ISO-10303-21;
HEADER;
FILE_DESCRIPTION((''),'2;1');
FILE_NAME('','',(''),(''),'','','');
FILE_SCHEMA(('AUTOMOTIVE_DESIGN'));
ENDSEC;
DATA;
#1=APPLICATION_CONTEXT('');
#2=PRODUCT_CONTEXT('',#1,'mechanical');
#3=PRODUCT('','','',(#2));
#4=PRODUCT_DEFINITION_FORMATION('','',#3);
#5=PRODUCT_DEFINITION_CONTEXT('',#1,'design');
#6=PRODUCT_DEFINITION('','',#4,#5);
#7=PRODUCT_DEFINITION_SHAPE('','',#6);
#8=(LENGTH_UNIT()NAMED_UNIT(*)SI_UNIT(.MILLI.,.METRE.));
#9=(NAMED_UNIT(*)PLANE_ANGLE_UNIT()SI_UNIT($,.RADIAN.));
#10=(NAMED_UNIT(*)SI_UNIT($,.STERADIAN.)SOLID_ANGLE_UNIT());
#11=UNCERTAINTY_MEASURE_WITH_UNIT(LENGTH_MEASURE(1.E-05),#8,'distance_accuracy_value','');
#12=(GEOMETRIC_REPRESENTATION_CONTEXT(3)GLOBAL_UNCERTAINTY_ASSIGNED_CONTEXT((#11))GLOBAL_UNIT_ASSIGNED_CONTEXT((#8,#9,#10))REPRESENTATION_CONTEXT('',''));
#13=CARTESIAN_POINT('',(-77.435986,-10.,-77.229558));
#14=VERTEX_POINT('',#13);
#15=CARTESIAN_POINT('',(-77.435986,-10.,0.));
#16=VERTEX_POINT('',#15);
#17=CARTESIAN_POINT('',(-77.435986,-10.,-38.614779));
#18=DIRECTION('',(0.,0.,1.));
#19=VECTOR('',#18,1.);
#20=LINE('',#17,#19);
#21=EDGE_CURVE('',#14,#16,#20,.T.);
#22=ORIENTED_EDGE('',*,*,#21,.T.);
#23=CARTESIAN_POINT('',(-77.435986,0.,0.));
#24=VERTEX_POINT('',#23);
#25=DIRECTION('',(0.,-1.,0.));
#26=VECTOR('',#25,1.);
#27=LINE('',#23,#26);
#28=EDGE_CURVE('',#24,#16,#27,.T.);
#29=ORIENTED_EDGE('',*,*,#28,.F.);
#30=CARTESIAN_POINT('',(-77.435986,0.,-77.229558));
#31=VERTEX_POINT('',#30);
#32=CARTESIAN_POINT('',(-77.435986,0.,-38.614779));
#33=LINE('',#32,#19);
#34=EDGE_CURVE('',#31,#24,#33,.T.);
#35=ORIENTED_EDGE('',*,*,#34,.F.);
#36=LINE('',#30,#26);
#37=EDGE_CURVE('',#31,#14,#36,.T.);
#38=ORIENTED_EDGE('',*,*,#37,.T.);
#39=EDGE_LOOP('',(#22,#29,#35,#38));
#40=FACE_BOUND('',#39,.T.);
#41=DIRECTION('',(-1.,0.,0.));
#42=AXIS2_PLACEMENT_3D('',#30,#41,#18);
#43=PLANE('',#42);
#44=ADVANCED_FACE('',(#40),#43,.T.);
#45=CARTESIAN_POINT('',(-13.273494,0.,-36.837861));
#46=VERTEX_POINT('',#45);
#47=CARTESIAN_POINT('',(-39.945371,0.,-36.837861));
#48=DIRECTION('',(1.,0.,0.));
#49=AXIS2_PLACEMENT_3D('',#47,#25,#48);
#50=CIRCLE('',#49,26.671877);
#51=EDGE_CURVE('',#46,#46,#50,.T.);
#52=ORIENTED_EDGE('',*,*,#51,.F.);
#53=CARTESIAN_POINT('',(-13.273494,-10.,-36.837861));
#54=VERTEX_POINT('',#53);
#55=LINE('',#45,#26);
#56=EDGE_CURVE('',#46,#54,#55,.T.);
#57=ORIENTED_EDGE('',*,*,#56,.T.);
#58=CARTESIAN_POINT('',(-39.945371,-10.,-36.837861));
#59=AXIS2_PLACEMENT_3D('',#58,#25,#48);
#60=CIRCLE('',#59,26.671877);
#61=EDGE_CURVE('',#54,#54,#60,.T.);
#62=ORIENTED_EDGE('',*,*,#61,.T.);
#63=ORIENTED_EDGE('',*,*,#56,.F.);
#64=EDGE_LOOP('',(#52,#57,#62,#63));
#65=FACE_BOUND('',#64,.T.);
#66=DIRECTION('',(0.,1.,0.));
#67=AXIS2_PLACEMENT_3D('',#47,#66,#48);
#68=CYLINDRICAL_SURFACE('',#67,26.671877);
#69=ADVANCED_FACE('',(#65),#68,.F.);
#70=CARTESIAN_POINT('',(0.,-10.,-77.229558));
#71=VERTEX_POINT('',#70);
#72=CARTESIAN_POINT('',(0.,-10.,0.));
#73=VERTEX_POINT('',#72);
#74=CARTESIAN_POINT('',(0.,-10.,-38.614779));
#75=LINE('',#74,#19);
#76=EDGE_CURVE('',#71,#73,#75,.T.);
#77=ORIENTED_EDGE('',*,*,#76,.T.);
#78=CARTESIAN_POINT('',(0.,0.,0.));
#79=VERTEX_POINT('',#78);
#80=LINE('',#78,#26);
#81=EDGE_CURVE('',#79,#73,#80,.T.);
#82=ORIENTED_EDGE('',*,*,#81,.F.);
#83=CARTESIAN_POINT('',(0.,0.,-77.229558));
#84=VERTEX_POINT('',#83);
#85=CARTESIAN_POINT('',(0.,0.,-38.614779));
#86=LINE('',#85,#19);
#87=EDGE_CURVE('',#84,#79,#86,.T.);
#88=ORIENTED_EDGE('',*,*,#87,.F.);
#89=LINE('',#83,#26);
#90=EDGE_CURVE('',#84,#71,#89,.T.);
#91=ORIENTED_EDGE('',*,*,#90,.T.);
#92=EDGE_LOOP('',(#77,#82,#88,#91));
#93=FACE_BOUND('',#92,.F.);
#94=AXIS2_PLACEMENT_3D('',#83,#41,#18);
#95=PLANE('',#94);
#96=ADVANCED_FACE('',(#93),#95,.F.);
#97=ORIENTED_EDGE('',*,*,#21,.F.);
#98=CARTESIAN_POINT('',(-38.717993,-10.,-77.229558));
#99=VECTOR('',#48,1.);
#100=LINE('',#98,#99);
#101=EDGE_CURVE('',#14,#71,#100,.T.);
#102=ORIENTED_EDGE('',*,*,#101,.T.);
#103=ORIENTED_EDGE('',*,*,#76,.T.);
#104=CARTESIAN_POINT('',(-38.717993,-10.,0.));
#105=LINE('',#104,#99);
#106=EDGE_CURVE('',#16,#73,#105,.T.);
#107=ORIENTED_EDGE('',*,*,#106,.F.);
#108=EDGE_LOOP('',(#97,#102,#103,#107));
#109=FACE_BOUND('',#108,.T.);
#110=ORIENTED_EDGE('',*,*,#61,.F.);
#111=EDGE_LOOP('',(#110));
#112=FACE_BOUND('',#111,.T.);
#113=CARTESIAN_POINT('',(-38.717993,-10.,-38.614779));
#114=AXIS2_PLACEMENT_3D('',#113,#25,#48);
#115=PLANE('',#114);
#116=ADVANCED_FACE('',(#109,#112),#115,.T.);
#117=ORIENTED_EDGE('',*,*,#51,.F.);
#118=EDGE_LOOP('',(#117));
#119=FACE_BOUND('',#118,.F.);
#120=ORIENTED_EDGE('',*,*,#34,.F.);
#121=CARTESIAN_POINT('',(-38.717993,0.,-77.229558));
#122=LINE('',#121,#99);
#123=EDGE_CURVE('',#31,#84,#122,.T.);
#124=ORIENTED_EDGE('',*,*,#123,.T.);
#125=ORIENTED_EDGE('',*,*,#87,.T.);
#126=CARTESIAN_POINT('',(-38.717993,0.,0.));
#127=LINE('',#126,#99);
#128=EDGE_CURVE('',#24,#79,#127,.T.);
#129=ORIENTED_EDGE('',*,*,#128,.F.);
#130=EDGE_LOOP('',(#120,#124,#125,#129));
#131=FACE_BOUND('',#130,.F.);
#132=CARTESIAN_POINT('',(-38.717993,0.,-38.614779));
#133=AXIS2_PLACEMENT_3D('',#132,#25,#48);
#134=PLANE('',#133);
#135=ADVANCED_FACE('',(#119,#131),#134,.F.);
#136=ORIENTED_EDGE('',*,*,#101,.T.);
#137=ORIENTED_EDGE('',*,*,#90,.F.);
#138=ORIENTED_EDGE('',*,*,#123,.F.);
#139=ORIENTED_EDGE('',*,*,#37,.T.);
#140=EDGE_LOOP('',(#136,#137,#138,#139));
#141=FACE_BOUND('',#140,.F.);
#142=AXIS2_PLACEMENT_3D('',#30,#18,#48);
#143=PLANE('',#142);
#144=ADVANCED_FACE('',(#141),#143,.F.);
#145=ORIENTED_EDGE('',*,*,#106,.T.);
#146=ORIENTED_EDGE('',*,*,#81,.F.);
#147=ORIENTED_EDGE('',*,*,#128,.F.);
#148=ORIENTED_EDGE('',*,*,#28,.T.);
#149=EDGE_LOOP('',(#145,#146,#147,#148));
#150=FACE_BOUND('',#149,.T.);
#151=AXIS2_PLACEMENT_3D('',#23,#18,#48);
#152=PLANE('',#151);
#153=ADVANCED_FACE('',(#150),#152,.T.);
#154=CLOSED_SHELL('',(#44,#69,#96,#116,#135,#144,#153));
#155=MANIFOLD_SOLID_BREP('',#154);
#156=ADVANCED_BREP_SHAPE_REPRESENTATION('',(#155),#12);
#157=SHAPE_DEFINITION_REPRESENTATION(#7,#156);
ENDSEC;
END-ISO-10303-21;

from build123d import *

# Parameters (mm, degrees)
F1_W     = 77.435985
F1_H     = 77.229559
F1_R     = 26.671877
F2_DEPTH = 10


with BuildPart() as f2:
    # F1 (on face) → F2 (new body)
    with BuildSketch(Plane.XZ):
        with Locations((-38.717993, -38.614779)):
            Rectangle(F1_W, F1_H)
        with Locations((-39.945371, -36.837861)):
            Circle(F1_R, mode=Mode.SUBTRACT)
    extrude(amount=F2_DEPTH)


solid = f2.part
